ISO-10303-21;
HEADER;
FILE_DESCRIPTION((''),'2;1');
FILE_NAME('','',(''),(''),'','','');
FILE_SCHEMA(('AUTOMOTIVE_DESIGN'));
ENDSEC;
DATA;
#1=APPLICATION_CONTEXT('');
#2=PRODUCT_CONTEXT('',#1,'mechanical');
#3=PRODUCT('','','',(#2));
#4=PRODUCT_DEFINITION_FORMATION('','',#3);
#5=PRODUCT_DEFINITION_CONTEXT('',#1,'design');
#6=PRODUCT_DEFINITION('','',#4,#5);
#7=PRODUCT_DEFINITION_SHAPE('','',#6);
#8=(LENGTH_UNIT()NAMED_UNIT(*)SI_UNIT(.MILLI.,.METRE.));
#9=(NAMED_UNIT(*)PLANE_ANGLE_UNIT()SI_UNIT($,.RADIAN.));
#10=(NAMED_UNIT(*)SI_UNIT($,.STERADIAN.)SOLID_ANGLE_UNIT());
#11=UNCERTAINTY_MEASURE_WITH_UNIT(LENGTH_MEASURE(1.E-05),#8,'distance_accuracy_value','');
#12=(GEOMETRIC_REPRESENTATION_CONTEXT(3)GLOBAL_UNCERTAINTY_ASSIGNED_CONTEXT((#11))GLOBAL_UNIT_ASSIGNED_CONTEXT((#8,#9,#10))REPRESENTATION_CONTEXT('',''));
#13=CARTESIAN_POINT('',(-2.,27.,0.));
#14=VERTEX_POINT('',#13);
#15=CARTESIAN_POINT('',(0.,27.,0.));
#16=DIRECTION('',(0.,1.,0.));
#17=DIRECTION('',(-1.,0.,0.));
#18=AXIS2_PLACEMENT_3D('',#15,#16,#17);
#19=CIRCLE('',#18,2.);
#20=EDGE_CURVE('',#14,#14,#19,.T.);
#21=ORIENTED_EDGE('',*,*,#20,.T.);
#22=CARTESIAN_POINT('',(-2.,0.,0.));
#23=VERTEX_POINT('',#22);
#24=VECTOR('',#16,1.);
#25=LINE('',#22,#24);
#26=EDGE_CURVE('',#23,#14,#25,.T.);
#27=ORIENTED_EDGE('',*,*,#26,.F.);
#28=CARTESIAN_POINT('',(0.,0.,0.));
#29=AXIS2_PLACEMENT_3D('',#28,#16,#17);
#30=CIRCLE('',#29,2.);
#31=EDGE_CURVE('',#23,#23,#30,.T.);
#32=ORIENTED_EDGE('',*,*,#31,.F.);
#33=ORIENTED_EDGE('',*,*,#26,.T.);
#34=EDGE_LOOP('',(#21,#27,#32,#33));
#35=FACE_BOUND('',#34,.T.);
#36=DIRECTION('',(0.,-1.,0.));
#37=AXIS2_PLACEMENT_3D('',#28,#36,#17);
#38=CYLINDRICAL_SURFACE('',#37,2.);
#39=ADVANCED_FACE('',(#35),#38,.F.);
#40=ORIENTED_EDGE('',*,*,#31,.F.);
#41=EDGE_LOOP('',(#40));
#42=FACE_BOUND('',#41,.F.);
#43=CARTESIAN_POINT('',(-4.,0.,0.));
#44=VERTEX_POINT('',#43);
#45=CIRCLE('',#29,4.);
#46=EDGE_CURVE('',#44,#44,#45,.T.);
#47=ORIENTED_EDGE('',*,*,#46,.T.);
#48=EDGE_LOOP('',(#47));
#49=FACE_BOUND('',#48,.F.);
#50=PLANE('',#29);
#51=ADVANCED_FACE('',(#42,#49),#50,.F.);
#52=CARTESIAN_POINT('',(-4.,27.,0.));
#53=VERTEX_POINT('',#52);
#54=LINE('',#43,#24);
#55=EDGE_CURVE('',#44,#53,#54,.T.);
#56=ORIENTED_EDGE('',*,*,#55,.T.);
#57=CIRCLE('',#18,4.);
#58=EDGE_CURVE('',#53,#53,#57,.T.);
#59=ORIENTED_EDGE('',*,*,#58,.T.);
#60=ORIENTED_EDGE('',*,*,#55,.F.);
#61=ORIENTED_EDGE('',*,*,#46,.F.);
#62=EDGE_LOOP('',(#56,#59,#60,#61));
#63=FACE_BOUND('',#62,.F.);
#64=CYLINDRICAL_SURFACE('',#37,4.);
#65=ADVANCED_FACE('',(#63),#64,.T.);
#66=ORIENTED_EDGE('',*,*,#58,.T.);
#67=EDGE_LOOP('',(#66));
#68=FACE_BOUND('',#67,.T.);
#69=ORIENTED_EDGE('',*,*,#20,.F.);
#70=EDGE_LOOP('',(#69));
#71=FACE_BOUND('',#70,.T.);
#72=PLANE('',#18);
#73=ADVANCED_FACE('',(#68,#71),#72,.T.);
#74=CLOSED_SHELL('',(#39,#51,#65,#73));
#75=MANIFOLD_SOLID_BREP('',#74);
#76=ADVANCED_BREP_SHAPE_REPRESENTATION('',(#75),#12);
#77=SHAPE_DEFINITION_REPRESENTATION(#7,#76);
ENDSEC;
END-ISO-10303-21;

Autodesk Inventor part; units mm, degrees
ref_plane "YZ Plane" through (0, 0, 0) normal (1, 0, 0) x (0, 1, 0)
ref_plane "XZ Plane" through (0, 0, 0) normal (0, 1, 0) x (-1, 0, 0)
ref_plane "XY Plane" through (0, 0, 0) normal (0, 0, 1) x (1, 0, 0)
sketch "Sketch1" plane through (0, 0, 0) normal (0, 1, 0) x (-1, 0, 0)
  circle A0 centre (0, 0) radius 2
  circle A1 centre (0, 0) radius 4
  dimension "d0" = 4
  dimension "d1" = 8
extrude "Extrusion1" add sketch "Sketch1" along normal blind 27
properties part number "TopBottomCarbonRingConnector-(FusionThread)"
